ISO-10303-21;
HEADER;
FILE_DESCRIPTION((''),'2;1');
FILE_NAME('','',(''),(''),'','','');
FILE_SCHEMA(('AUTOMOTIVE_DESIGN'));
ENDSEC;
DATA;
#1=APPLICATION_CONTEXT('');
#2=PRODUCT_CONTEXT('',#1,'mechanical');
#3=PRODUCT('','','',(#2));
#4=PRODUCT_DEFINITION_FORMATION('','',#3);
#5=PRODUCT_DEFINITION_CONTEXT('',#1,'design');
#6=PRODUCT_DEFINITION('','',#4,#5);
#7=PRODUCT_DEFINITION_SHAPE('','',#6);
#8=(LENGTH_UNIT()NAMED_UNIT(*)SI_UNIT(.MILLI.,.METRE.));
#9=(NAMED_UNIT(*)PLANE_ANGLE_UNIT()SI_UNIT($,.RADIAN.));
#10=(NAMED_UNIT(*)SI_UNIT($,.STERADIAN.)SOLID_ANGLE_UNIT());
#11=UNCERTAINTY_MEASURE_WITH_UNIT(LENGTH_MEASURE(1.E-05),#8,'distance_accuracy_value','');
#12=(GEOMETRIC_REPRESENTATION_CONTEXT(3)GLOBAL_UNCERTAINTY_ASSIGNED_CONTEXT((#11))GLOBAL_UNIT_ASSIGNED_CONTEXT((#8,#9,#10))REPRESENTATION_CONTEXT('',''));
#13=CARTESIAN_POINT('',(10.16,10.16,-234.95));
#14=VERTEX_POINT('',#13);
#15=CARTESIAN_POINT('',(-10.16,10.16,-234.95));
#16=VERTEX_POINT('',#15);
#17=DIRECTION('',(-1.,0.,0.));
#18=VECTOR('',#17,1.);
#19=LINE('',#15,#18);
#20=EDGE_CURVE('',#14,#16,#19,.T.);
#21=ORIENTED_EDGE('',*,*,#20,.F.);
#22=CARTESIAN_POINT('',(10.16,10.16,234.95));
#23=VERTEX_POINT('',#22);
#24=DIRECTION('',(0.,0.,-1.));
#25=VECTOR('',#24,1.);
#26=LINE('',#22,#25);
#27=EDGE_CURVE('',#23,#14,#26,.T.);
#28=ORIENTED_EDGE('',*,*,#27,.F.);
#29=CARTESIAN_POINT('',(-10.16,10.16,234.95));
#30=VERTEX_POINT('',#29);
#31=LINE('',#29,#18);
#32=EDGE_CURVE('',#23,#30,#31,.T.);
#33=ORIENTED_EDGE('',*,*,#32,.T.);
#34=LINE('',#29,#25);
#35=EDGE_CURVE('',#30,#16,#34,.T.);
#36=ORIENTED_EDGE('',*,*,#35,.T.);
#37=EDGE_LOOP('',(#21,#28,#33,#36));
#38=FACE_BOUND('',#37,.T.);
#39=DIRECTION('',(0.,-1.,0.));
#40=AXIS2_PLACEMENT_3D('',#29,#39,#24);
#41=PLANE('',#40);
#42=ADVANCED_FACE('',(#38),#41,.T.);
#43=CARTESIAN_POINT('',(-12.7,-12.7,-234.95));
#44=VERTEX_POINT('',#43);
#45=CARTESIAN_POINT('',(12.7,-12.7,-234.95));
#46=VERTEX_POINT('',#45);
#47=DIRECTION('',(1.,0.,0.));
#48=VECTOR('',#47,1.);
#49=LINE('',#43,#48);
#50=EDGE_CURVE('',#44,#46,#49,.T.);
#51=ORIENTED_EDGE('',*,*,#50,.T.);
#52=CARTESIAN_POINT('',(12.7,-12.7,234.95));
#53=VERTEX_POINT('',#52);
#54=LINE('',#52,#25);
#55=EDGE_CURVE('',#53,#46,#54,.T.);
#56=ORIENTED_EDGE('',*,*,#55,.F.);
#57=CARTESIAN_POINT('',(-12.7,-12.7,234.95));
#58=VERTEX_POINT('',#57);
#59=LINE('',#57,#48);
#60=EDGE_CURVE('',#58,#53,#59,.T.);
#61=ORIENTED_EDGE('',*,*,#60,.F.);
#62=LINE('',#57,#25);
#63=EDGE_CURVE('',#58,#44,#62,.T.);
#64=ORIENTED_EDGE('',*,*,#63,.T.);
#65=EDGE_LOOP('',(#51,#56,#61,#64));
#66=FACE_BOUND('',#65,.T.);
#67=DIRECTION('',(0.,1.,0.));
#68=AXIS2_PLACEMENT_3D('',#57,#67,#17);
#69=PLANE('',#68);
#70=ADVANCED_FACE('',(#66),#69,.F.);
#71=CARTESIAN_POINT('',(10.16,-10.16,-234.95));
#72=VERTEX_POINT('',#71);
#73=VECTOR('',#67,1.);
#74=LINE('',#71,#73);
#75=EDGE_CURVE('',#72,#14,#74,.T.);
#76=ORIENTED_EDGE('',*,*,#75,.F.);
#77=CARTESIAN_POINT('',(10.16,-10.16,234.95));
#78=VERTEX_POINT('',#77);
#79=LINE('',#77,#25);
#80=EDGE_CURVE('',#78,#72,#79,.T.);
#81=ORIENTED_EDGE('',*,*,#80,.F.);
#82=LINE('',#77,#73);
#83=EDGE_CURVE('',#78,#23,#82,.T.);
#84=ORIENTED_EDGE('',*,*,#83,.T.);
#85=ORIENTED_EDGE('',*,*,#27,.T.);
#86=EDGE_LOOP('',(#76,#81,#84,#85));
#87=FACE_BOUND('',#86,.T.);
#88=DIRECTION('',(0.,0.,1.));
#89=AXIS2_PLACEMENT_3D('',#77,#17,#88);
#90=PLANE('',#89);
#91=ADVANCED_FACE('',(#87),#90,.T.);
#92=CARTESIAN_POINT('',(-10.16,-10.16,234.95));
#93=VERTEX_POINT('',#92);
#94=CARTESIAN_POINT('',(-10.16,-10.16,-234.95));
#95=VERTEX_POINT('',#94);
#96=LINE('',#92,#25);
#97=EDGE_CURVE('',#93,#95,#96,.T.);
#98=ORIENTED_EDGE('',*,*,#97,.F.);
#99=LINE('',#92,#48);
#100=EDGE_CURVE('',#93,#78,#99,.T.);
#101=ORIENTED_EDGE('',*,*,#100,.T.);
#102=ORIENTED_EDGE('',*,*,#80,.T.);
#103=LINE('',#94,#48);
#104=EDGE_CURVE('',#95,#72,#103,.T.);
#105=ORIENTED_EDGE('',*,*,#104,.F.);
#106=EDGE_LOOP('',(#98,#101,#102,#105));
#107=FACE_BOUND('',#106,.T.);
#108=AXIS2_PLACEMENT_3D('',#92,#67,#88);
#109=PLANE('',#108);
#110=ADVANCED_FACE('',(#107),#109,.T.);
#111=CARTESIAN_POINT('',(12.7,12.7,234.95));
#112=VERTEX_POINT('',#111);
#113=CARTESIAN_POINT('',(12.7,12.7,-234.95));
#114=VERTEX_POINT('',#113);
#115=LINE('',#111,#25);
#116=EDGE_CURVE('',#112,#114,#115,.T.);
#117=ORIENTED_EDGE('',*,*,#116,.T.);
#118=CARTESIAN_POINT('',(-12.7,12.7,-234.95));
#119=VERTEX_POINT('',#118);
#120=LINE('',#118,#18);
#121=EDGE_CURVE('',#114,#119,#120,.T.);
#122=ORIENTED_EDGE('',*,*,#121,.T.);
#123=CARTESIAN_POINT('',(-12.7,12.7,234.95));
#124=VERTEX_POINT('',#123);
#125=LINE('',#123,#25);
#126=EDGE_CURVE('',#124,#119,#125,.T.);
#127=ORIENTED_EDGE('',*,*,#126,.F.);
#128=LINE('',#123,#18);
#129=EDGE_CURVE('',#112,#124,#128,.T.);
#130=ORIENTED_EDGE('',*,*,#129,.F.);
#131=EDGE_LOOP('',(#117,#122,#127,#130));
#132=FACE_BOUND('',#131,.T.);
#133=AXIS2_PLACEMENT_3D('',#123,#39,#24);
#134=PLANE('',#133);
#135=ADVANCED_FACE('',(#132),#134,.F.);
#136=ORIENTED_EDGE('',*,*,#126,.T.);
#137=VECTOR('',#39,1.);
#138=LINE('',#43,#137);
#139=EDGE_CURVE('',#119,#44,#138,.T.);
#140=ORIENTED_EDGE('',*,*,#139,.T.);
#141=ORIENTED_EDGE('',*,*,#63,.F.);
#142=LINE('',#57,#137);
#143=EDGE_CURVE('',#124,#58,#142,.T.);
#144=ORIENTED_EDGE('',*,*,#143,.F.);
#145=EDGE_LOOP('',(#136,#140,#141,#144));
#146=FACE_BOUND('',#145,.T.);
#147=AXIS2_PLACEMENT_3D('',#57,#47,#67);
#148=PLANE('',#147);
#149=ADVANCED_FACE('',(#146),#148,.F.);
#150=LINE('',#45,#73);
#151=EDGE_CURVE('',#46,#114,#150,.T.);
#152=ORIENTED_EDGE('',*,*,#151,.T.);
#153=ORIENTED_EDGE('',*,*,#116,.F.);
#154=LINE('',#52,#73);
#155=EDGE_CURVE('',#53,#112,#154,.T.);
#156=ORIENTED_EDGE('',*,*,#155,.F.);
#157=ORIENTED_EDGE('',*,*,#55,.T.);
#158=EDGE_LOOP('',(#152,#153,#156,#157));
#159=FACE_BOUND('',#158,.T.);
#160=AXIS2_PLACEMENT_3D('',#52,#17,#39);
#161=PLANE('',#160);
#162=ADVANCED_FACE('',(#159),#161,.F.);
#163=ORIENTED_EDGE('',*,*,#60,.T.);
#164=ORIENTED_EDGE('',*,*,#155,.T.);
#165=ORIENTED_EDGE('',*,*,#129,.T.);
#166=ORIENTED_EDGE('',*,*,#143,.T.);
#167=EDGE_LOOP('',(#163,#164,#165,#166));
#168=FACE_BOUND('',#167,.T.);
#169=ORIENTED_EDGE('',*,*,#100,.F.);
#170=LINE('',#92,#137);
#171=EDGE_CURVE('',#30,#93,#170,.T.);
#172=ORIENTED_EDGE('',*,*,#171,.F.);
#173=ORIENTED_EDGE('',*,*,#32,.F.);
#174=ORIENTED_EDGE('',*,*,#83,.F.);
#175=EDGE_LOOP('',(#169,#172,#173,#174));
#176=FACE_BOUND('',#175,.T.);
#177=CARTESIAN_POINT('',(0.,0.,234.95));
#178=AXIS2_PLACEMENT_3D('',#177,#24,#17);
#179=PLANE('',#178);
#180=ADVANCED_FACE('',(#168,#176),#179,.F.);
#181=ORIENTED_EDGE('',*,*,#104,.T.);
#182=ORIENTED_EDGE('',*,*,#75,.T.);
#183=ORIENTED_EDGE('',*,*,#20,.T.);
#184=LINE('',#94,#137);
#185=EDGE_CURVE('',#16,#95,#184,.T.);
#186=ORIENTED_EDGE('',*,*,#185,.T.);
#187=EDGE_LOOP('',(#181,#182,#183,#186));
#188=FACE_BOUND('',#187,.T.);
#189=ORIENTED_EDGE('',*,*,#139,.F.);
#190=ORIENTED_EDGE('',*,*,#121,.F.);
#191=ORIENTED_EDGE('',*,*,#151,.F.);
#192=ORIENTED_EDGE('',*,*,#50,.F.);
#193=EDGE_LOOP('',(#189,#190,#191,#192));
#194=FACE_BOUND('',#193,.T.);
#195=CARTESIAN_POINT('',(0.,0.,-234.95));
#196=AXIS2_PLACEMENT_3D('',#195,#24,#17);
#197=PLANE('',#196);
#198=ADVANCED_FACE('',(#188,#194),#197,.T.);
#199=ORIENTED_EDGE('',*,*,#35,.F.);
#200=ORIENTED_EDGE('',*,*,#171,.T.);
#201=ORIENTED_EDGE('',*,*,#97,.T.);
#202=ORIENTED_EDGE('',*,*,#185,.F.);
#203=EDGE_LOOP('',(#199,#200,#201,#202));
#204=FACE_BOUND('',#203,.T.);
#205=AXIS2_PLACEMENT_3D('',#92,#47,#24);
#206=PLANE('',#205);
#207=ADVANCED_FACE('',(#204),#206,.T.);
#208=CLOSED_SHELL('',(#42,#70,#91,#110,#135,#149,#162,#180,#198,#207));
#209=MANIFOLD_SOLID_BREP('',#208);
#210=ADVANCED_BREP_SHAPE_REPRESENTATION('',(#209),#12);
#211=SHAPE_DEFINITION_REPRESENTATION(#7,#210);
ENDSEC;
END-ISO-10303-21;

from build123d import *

# Parameters (mm, degrees)
SKETCH1_W           = 25.4
SKETCH1_H           = 25.4
SKETCH1_W_2         = 20.32
SKETCH1_H_2         = 20.32
BOSS_EXTRUDE1_DEPTH = 234.95


with BuildPart() as part:
    # Sketch1 → Boss-Extrude1 (new, symmetric)
    with BuildSketch(Plane.XY):
        Rectangle(SKETCH1_W, SKETCH1_H)
        Rectangle(SKETCH1_W_2, SKETCH1_H_2, mode=Mode.SUBTRACT)
    extrude(amount=BOSS_EXTRUDE1_DEPTH, both=True)


solid = part.part
